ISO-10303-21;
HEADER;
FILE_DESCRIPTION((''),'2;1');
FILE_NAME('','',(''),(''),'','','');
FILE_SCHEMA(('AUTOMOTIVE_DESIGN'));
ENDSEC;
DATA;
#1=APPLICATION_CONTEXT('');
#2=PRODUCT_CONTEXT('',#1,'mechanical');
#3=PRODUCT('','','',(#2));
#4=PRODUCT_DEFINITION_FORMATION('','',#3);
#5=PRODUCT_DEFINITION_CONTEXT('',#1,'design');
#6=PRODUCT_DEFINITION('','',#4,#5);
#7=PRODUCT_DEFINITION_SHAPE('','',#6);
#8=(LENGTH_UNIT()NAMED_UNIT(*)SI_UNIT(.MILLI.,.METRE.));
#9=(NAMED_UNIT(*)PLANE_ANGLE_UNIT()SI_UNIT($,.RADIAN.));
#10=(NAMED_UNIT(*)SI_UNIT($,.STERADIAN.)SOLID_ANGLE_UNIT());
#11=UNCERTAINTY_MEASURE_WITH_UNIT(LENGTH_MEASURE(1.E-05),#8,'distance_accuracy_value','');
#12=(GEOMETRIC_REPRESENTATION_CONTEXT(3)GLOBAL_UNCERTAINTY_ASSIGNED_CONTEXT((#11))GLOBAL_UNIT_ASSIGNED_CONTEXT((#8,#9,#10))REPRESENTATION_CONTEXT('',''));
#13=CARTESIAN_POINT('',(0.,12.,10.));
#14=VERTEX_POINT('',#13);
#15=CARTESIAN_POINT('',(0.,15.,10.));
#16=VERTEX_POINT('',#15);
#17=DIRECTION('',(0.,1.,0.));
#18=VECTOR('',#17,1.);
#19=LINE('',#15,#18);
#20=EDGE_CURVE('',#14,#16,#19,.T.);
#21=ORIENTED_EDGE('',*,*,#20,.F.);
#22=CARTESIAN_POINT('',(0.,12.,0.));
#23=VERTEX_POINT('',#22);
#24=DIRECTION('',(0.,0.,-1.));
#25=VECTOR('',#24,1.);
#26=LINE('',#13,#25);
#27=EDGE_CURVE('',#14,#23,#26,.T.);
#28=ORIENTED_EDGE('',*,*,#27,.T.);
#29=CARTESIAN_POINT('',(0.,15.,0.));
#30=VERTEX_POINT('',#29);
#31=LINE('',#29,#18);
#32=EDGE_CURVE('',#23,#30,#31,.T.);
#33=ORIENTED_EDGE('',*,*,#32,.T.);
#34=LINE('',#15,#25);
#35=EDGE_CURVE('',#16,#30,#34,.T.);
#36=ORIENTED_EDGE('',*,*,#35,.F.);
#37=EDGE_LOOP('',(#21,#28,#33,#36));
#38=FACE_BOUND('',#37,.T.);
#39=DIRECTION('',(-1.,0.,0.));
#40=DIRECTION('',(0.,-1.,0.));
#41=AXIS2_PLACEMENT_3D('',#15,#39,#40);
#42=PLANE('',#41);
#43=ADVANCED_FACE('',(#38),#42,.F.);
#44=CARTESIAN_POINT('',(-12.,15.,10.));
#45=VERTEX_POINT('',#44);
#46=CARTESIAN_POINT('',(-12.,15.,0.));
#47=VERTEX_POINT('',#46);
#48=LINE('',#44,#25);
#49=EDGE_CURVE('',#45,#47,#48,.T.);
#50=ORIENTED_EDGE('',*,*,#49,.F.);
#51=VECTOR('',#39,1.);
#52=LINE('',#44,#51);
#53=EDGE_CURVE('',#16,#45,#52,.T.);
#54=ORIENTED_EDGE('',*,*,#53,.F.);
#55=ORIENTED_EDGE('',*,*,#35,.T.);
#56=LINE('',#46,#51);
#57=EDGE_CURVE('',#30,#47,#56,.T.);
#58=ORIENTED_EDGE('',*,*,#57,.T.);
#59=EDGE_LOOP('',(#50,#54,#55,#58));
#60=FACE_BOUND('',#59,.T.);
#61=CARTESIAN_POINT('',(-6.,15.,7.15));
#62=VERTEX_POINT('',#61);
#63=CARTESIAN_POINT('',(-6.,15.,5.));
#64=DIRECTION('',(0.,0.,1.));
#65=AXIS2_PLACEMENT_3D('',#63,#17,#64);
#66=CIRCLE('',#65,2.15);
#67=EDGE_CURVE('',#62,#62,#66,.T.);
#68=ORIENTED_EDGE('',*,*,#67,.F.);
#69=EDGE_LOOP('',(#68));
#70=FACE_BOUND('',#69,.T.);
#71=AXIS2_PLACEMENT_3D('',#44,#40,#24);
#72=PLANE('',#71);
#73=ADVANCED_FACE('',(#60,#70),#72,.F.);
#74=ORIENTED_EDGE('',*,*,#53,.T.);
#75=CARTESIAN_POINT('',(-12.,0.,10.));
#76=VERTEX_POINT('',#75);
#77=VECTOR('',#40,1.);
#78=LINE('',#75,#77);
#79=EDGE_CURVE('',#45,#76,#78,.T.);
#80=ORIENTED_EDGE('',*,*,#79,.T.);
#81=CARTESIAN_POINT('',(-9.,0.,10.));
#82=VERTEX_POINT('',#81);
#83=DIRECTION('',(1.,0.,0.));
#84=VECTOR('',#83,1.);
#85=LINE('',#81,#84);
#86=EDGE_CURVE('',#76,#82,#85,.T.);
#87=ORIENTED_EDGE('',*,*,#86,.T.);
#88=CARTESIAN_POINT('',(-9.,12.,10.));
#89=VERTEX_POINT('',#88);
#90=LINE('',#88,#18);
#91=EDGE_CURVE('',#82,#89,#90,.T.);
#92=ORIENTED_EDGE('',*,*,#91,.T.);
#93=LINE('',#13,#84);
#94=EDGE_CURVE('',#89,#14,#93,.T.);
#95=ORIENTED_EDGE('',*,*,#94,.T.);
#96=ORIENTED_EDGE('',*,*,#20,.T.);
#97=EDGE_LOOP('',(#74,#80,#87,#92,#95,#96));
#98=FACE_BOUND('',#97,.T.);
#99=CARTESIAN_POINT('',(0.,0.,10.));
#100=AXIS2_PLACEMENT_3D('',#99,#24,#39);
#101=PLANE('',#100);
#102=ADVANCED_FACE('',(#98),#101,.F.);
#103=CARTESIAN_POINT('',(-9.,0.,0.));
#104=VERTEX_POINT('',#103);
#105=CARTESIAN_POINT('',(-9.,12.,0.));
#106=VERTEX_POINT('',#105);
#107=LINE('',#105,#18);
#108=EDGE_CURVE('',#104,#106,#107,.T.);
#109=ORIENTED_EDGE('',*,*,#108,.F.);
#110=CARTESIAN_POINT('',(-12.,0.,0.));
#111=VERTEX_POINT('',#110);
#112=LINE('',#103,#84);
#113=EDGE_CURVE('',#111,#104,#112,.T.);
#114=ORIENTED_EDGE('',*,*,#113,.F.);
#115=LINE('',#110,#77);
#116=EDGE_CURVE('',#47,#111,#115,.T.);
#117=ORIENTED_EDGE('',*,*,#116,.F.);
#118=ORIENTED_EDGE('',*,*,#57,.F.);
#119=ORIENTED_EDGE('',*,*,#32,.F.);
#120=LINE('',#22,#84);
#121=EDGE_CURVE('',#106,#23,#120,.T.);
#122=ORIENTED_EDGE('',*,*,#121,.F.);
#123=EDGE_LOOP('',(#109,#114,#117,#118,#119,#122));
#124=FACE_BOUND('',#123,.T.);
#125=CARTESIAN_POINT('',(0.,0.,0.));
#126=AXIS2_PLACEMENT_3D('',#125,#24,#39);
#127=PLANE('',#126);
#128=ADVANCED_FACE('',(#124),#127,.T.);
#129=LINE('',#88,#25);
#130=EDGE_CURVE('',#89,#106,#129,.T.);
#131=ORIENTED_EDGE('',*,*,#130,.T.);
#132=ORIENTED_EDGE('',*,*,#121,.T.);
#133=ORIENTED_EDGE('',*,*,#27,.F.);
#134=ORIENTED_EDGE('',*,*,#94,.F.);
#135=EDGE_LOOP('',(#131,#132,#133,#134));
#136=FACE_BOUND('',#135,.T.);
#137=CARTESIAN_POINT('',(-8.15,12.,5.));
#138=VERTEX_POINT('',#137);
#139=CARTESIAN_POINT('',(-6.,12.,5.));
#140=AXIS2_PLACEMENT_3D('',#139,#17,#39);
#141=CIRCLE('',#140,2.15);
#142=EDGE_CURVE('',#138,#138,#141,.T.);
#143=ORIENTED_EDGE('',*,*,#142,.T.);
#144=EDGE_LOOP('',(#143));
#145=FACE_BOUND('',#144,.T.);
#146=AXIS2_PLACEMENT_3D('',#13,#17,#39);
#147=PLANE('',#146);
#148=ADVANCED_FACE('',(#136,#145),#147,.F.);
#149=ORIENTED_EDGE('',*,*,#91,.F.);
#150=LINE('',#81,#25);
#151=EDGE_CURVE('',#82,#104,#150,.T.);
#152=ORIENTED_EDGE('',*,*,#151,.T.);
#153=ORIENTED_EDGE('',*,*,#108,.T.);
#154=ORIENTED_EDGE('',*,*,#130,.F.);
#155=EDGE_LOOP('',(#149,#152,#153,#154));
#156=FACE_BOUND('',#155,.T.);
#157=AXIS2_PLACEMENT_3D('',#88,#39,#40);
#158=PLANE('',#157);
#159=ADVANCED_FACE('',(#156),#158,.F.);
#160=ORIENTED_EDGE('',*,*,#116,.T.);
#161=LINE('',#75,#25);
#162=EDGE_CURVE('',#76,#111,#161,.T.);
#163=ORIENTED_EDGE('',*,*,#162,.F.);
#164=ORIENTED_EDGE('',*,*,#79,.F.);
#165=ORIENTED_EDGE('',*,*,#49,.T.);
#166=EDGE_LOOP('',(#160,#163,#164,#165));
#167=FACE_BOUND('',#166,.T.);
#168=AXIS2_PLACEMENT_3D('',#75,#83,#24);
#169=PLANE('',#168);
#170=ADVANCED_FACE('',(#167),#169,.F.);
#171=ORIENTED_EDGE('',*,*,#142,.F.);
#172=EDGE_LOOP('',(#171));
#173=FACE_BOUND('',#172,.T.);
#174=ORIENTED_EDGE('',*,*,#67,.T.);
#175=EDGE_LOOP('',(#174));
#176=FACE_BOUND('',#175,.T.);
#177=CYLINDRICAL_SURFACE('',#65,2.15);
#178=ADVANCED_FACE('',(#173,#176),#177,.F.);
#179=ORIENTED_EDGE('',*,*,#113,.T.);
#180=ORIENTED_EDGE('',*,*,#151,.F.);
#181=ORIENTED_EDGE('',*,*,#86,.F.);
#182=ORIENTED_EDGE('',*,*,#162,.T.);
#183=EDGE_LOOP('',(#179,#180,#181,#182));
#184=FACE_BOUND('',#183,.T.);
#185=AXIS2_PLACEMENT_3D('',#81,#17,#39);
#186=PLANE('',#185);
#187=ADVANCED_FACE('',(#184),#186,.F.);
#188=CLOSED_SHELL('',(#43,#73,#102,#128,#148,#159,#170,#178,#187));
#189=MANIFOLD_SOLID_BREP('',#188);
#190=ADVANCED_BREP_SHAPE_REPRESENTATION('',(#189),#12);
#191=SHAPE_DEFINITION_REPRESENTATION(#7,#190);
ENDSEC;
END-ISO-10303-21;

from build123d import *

# Parameters (mm, degrees)
BOSS_EXTRU_1_DEPTH = 10
D_GAGEMENT_M41_D   = 4.3


with BuildPart() as part:
    # Esquisse1 → Boss.-Extru.1 (new body)
    with BuildSketch(Plane.XY):
        Polygon((-9, 0), (-12, 0), (-12, 15), (0, 15), (0, 12), (-9, 12), align=None)
    extrude(amount=BOSS_EXTRU_1_DEPTH)

    # Dégagement M41 (through all)
    with Locations(Plane(origin=(0, 15, 0), x_dir=(1, 0, 0), z_dir=(0, 1, 0))):
        with Locations((-6, -5)):
            Hole(D_GAGEMENT_M41_D / 2)


solid = part.part
